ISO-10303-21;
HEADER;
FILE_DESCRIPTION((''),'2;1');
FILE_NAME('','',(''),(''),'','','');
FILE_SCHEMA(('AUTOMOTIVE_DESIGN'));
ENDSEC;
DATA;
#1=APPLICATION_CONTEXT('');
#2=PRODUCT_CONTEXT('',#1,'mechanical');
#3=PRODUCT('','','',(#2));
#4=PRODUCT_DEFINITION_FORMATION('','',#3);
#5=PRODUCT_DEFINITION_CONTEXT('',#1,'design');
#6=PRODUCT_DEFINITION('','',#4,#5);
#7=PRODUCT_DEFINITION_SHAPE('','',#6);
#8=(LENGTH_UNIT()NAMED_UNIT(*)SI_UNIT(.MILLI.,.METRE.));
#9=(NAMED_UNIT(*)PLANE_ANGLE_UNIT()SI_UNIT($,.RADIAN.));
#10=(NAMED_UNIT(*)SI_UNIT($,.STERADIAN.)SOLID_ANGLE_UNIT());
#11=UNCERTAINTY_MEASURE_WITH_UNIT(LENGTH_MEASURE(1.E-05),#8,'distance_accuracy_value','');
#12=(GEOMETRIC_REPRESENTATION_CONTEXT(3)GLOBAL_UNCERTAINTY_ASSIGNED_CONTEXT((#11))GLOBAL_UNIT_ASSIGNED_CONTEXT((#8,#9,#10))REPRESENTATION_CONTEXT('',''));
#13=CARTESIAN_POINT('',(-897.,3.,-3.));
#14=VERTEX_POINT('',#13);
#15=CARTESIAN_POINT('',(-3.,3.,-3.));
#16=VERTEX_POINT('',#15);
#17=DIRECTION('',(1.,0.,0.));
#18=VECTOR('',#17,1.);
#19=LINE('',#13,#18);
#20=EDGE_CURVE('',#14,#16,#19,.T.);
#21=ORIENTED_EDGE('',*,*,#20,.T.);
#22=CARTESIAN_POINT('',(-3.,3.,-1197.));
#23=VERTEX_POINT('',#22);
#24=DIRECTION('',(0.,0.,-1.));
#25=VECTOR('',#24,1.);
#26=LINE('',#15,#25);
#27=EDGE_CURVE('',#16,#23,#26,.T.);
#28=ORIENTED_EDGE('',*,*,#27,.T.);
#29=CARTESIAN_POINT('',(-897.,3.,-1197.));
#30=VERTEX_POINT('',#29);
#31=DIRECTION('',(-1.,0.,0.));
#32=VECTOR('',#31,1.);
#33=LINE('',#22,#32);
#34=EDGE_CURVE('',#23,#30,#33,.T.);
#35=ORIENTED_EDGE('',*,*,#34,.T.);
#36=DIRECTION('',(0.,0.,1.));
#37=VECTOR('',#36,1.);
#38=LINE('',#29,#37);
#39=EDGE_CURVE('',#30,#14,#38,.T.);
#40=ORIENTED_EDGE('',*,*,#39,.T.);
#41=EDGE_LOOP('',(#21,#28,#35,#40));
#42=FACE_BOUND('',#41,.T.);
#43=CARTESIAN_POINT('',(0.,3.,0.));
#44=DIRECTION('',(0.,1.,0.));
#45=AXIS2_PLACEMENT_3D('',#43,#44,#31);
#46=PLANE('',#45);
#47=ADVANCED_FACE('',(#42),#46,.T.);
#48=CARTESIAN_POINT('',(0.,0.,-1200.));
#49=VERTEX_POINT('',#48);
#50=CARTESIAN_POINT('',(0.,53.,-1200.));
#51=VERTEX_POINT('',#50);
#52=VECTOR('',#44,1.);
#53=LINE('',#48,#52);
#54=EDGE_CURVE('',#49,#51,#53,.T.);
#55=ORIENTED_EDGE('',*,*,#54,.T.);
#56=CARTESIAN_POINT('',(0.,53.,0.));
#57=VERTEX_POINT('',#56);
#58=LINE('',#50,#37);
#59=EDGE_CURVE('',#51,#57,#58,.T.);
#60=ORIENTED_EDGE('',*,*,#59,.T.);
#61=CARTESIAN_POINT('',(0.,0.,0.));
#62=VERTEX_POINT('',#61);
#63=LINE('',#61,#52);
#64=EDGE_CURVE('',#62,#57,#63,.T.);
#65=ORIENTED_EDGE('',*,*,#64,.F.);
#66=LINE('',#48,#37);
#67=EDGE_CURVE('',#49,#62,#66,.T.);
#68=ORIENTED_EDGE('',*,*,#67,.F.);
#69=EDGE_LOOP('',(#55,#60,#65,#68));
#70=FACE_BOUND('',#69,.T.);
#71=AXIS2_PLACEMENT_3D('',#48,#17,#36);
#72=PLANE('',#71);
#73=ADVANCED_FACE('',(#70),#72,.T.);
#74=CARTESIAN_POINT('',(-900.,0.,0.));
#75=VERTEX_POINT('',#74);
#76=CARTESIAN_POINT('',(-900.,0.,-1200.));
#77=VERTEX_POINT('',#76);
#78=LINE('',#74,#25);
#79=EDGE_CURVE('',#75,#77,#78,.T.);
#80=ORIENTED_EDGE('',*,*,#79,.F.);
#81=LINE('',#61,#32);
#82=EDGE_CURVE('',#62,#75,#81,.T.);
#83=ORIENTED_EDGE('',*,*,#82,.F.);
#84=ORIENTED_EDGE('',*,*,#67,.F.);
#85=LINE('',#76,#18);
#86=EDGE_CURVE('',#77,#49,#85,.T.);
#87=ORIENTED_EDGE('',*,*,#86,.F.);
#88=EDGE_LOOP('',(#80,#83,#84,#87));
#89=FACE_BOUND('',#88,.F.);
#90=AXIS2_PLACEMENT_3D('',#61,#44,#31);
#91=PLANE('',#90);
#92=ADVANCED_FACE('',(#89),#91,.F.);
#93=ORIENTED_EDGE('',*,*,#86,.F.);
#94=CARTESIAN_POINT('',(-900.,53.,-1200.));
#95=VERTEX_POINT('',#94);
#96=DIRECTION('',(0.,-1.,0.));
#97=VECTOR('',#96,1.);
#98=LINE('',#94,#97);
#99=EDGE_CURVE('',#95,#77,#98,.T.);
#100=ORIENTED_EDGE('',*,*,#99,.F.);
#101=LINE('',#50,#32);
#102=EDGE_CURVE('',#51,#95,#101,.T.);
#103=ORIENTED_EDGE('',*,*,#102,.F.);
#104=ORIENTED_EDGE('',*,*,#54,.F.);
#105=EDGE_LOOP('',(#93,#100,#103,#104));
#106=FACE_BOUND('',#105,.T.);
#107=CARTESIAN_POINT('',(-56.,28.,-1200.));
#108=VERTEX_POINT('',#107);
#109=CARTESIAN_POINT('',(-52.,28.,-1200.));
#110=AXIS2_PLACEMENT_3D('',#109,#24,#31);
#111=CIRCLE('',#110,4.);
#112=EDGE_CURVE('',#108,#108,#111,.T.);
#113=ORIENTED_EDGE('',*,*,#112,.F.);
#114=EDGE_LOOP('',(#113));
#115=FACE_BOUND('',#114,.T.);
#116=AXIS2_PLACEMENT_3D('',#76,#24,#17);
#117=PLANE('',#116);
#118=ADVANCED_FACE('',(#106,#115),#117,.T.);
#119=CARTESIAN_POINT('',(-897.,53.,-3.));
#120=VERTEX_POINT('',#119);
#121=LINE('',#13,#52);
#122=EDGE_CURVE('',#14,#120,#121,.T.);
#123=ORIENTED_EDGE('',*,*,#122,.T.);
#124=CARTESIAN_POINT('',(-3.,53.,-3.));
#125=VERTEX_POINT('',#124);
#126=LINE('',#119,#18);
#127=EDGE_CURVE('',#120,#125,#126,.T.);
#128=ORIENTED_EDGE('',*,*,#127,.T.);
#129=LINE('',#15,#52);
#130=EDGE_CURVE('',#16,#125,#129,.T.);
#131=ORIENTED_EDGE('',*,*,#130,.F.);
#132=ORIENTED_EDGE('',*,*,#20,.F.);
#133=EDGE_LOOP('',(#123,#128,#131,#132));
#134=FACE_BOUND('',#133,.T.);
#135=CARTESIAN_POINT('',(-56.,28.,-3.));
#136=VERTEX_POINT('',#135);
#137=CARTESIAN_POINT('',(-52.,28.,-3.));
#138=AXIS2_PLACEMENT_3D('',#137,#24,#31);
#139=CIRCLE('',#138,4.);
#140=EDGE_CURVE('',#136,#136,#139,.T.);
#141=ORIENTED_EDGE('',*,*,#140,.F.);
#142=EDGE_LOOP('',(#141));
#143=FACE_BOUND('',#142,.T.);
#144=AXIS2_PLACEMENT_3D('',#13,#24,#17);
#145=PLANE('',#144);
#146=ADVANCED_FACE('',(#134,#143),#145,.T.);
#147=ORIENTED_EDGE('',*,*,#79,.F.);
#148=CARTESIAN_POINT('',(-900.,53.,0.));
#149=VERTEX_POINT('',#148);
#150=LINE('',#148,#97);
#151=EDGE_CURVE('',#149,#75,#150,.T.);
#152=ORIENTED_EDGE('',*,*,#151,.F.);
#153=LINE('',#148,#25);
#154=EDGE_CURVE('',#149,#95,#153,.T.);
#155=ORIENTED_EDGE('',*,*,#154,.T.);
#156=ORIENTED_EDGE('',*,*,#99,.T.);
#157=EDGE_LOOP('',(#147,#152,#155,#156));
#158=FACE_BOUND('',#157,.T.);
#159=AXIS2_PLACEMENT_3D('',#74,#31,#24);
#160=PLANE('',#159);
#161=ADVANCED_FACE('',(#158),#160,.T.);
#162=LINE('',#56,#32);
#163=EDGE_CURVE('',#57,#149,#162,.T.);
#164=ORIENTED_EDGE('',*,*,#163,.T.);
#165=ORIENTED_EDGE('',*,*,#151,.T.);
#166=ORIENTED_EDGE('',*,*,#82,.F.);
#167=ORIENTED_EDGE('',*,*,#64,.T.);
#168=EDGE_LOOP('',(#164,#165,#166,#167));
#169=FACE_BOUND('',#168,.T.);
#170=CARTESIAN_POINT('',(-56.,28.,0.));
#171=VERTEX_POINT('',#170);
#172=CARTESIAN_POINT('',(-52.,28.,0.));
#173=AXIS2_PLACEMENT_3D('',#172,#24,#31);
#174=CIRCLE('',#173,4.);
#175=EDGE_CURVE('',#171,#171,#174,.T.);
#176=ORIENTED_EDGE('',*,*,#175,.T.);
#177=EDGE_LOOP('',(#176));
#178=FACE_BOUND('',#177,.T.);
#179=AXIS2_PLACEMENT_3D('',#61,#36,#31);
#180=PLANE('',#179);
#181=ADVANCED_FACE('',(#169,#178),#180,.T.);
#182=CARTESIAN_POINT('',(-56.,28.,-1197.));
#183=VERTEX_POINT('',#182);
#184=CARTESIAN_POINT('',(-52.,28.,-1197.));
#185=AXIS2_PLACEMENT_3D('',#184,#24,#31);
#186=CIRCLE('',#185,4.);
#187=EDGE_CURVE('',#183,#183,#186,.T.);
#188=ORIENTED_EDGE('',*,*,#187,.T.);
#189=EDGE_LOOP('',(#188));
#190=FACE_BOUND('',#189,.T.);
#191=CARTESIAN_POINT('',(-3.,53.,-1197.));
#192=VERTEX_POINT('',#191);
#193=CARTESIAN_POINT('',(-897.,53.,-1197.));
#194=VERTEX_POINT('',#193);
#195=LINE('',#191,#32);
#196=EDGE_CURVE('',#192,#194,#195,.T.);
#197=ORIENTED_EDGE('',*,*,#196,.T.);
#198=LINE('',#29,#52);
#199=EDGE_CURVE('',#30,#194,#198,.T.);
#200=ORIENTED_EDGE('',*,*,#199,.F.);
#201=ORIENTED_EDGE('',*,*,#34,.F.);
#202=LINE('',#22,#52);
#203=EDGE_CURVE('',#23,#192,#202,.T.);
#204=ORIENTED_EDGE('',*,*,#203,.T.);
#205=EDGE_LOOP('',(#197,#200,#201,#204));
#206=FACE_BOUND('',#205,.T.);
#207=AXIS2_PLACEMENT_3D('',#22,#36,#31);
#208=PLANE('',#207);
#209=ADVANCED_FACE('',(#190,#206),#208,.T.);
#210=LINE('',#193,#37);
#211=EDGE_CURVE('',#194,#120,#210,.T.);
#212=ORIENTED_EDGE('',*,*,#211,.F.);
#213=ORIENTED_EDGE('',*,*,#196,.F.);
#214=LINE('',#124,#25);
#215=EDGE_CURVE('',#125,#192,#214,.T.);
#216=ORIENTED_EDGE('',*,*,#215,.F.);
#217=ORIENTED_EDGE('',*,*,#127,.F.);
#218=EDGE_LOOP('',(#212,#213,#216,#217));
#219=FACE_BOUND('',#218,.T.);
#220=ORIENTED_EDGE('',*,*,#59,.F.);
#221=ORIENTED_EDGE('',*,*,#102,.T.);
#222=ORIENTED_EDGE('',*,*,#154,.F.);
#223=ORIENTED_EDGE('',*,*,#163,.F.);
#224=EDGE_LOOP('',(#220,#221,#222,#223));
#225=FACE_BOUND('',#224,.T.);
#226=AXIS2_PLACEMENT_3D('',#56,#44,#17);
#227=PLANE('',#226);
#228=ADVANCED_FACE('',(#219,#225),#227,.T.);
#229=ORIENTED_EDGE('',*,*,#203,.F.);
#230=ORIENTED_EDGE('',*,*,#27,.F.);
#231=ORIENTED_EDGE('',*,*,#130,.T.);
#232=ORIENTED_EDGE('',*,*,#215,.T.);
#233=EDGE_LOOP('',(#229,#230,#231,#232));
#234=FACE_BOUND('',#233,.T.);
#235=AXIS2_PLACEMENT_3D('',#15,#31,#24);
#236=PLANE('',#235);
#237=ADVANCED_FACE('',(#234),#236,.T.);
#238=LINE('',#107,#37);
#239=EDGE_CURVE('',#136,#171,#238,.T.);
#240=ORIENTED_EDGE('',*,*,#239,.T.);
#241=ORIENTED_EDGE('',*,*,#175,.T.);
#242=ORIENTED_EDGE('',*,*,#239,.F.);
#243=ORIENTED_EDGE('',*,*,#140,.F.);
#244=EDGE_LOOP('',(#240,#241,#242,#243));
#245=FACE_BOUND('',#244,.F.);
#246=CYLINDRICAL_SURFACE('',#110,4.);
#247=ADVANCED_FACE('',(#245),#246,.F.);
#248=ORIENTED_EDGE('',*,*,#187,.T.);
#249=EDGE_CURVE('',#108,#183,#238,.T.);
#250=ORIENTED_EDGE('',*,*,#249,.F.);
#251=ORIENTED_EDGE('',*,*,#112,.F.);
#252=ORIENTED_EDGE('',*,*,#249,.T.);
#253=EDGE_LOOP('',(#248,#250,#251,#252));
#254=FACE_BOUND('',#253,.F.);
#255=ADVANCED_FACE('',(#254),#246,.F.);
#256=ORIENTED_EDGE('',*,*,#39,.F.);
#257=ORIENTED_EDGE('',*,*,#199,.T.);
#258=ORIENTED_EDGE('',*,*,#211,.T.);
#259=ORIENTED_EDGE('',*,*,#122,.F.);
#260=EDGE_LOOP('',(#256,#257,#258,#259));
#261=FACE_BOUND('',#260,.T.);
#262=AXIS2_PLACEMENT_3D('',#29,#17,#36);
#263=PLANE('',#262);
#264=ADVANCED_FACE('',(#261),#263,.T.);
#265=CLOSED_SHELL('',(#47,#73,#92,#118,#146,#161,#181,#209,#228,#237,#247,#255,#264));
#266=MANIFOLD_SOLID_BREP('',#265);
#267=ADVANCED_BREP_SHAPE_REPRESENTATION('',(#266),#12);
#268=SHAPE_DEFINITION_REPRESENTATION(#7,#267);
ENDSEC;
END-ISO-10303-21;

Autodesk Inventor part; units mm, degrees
ref_plane "YZ Plane" through (0, 0, 0) normal (1, 0, 0) x (0, 1, 0)
ref_plane "XZ Plane" through (0, 0, 0) normal (0, 1, 0) x (-1, 0, 0)
ref_plane "XY Plane" through (0, 0, 0) normal (0, 0, 1) x (1, 0, 0)
sketch "Boceto1" plane through (0, 0, 0) normal (0, 1, 0) x (-1, 0, 0)
  line L0 (0, 0) -> (900, 0)
  line L1 (900, 0) -> (900, -1200)
  line L2 (900, -1200) -> (0, -1200)
  line L3 (0, -1200) -> (0, 0)
  dimension "d0" = 900
  dimension "d1" = 1200
extrude "Extrusión1" add sketch "Boceto1" along normal blind 3
sketch "Boceto2" plane through (0, 3, 0) normal (0, 1, 0) x (1, 0, 0)
  line L0 (0, 1200) -> (-900, 1200) projected
  line L1 (0, 0) -> (-900, 0)
  line L2 (-900, 0) -> (-900, 1200)
  line L3 (-900, 1200) -> (0, 1200)
  line L4 (0, 1200) -> (0, 0)
  line L5 (-897, 1197) -> (-897, 3)
  line L6 (-897, 3) -> (-3, 3)
  line L7 (-3, 3) -> (-3, 1197)
  line L8 (-3, 1197) -> (-897, 1197)
  dimension "d4" = 3
extrude "Extrusión2" add sketch "Boceto2" along normal blind 50
sketch "Boceto3" plane through (0, 0, -1200) normal (0, 0, -1) x (-1, 0, 0)
  circle A0 centre (52, 28) radius 4
  line L0 (0, 53) -> (900, 53) projected
  line L1 (0, 53) -> (-3, 53)
  line L2 (-3, 53) -> (-3, -10.4752)
  line L3 (-3, -10.4752) -> (0, -10.4752)
  line L4 (0, -10.4752) -> (0, 53)
  point P0 (0, 0)
  dimension "d7" = 8
  dimension "d8" = 25
  dimension "d9" = 3
  dimension "d10" = 55
extrude "Extrusión3" cut sketch "Boceto3" against normal blind 1243.5 contours A0
properties part number "tapa mesa"
